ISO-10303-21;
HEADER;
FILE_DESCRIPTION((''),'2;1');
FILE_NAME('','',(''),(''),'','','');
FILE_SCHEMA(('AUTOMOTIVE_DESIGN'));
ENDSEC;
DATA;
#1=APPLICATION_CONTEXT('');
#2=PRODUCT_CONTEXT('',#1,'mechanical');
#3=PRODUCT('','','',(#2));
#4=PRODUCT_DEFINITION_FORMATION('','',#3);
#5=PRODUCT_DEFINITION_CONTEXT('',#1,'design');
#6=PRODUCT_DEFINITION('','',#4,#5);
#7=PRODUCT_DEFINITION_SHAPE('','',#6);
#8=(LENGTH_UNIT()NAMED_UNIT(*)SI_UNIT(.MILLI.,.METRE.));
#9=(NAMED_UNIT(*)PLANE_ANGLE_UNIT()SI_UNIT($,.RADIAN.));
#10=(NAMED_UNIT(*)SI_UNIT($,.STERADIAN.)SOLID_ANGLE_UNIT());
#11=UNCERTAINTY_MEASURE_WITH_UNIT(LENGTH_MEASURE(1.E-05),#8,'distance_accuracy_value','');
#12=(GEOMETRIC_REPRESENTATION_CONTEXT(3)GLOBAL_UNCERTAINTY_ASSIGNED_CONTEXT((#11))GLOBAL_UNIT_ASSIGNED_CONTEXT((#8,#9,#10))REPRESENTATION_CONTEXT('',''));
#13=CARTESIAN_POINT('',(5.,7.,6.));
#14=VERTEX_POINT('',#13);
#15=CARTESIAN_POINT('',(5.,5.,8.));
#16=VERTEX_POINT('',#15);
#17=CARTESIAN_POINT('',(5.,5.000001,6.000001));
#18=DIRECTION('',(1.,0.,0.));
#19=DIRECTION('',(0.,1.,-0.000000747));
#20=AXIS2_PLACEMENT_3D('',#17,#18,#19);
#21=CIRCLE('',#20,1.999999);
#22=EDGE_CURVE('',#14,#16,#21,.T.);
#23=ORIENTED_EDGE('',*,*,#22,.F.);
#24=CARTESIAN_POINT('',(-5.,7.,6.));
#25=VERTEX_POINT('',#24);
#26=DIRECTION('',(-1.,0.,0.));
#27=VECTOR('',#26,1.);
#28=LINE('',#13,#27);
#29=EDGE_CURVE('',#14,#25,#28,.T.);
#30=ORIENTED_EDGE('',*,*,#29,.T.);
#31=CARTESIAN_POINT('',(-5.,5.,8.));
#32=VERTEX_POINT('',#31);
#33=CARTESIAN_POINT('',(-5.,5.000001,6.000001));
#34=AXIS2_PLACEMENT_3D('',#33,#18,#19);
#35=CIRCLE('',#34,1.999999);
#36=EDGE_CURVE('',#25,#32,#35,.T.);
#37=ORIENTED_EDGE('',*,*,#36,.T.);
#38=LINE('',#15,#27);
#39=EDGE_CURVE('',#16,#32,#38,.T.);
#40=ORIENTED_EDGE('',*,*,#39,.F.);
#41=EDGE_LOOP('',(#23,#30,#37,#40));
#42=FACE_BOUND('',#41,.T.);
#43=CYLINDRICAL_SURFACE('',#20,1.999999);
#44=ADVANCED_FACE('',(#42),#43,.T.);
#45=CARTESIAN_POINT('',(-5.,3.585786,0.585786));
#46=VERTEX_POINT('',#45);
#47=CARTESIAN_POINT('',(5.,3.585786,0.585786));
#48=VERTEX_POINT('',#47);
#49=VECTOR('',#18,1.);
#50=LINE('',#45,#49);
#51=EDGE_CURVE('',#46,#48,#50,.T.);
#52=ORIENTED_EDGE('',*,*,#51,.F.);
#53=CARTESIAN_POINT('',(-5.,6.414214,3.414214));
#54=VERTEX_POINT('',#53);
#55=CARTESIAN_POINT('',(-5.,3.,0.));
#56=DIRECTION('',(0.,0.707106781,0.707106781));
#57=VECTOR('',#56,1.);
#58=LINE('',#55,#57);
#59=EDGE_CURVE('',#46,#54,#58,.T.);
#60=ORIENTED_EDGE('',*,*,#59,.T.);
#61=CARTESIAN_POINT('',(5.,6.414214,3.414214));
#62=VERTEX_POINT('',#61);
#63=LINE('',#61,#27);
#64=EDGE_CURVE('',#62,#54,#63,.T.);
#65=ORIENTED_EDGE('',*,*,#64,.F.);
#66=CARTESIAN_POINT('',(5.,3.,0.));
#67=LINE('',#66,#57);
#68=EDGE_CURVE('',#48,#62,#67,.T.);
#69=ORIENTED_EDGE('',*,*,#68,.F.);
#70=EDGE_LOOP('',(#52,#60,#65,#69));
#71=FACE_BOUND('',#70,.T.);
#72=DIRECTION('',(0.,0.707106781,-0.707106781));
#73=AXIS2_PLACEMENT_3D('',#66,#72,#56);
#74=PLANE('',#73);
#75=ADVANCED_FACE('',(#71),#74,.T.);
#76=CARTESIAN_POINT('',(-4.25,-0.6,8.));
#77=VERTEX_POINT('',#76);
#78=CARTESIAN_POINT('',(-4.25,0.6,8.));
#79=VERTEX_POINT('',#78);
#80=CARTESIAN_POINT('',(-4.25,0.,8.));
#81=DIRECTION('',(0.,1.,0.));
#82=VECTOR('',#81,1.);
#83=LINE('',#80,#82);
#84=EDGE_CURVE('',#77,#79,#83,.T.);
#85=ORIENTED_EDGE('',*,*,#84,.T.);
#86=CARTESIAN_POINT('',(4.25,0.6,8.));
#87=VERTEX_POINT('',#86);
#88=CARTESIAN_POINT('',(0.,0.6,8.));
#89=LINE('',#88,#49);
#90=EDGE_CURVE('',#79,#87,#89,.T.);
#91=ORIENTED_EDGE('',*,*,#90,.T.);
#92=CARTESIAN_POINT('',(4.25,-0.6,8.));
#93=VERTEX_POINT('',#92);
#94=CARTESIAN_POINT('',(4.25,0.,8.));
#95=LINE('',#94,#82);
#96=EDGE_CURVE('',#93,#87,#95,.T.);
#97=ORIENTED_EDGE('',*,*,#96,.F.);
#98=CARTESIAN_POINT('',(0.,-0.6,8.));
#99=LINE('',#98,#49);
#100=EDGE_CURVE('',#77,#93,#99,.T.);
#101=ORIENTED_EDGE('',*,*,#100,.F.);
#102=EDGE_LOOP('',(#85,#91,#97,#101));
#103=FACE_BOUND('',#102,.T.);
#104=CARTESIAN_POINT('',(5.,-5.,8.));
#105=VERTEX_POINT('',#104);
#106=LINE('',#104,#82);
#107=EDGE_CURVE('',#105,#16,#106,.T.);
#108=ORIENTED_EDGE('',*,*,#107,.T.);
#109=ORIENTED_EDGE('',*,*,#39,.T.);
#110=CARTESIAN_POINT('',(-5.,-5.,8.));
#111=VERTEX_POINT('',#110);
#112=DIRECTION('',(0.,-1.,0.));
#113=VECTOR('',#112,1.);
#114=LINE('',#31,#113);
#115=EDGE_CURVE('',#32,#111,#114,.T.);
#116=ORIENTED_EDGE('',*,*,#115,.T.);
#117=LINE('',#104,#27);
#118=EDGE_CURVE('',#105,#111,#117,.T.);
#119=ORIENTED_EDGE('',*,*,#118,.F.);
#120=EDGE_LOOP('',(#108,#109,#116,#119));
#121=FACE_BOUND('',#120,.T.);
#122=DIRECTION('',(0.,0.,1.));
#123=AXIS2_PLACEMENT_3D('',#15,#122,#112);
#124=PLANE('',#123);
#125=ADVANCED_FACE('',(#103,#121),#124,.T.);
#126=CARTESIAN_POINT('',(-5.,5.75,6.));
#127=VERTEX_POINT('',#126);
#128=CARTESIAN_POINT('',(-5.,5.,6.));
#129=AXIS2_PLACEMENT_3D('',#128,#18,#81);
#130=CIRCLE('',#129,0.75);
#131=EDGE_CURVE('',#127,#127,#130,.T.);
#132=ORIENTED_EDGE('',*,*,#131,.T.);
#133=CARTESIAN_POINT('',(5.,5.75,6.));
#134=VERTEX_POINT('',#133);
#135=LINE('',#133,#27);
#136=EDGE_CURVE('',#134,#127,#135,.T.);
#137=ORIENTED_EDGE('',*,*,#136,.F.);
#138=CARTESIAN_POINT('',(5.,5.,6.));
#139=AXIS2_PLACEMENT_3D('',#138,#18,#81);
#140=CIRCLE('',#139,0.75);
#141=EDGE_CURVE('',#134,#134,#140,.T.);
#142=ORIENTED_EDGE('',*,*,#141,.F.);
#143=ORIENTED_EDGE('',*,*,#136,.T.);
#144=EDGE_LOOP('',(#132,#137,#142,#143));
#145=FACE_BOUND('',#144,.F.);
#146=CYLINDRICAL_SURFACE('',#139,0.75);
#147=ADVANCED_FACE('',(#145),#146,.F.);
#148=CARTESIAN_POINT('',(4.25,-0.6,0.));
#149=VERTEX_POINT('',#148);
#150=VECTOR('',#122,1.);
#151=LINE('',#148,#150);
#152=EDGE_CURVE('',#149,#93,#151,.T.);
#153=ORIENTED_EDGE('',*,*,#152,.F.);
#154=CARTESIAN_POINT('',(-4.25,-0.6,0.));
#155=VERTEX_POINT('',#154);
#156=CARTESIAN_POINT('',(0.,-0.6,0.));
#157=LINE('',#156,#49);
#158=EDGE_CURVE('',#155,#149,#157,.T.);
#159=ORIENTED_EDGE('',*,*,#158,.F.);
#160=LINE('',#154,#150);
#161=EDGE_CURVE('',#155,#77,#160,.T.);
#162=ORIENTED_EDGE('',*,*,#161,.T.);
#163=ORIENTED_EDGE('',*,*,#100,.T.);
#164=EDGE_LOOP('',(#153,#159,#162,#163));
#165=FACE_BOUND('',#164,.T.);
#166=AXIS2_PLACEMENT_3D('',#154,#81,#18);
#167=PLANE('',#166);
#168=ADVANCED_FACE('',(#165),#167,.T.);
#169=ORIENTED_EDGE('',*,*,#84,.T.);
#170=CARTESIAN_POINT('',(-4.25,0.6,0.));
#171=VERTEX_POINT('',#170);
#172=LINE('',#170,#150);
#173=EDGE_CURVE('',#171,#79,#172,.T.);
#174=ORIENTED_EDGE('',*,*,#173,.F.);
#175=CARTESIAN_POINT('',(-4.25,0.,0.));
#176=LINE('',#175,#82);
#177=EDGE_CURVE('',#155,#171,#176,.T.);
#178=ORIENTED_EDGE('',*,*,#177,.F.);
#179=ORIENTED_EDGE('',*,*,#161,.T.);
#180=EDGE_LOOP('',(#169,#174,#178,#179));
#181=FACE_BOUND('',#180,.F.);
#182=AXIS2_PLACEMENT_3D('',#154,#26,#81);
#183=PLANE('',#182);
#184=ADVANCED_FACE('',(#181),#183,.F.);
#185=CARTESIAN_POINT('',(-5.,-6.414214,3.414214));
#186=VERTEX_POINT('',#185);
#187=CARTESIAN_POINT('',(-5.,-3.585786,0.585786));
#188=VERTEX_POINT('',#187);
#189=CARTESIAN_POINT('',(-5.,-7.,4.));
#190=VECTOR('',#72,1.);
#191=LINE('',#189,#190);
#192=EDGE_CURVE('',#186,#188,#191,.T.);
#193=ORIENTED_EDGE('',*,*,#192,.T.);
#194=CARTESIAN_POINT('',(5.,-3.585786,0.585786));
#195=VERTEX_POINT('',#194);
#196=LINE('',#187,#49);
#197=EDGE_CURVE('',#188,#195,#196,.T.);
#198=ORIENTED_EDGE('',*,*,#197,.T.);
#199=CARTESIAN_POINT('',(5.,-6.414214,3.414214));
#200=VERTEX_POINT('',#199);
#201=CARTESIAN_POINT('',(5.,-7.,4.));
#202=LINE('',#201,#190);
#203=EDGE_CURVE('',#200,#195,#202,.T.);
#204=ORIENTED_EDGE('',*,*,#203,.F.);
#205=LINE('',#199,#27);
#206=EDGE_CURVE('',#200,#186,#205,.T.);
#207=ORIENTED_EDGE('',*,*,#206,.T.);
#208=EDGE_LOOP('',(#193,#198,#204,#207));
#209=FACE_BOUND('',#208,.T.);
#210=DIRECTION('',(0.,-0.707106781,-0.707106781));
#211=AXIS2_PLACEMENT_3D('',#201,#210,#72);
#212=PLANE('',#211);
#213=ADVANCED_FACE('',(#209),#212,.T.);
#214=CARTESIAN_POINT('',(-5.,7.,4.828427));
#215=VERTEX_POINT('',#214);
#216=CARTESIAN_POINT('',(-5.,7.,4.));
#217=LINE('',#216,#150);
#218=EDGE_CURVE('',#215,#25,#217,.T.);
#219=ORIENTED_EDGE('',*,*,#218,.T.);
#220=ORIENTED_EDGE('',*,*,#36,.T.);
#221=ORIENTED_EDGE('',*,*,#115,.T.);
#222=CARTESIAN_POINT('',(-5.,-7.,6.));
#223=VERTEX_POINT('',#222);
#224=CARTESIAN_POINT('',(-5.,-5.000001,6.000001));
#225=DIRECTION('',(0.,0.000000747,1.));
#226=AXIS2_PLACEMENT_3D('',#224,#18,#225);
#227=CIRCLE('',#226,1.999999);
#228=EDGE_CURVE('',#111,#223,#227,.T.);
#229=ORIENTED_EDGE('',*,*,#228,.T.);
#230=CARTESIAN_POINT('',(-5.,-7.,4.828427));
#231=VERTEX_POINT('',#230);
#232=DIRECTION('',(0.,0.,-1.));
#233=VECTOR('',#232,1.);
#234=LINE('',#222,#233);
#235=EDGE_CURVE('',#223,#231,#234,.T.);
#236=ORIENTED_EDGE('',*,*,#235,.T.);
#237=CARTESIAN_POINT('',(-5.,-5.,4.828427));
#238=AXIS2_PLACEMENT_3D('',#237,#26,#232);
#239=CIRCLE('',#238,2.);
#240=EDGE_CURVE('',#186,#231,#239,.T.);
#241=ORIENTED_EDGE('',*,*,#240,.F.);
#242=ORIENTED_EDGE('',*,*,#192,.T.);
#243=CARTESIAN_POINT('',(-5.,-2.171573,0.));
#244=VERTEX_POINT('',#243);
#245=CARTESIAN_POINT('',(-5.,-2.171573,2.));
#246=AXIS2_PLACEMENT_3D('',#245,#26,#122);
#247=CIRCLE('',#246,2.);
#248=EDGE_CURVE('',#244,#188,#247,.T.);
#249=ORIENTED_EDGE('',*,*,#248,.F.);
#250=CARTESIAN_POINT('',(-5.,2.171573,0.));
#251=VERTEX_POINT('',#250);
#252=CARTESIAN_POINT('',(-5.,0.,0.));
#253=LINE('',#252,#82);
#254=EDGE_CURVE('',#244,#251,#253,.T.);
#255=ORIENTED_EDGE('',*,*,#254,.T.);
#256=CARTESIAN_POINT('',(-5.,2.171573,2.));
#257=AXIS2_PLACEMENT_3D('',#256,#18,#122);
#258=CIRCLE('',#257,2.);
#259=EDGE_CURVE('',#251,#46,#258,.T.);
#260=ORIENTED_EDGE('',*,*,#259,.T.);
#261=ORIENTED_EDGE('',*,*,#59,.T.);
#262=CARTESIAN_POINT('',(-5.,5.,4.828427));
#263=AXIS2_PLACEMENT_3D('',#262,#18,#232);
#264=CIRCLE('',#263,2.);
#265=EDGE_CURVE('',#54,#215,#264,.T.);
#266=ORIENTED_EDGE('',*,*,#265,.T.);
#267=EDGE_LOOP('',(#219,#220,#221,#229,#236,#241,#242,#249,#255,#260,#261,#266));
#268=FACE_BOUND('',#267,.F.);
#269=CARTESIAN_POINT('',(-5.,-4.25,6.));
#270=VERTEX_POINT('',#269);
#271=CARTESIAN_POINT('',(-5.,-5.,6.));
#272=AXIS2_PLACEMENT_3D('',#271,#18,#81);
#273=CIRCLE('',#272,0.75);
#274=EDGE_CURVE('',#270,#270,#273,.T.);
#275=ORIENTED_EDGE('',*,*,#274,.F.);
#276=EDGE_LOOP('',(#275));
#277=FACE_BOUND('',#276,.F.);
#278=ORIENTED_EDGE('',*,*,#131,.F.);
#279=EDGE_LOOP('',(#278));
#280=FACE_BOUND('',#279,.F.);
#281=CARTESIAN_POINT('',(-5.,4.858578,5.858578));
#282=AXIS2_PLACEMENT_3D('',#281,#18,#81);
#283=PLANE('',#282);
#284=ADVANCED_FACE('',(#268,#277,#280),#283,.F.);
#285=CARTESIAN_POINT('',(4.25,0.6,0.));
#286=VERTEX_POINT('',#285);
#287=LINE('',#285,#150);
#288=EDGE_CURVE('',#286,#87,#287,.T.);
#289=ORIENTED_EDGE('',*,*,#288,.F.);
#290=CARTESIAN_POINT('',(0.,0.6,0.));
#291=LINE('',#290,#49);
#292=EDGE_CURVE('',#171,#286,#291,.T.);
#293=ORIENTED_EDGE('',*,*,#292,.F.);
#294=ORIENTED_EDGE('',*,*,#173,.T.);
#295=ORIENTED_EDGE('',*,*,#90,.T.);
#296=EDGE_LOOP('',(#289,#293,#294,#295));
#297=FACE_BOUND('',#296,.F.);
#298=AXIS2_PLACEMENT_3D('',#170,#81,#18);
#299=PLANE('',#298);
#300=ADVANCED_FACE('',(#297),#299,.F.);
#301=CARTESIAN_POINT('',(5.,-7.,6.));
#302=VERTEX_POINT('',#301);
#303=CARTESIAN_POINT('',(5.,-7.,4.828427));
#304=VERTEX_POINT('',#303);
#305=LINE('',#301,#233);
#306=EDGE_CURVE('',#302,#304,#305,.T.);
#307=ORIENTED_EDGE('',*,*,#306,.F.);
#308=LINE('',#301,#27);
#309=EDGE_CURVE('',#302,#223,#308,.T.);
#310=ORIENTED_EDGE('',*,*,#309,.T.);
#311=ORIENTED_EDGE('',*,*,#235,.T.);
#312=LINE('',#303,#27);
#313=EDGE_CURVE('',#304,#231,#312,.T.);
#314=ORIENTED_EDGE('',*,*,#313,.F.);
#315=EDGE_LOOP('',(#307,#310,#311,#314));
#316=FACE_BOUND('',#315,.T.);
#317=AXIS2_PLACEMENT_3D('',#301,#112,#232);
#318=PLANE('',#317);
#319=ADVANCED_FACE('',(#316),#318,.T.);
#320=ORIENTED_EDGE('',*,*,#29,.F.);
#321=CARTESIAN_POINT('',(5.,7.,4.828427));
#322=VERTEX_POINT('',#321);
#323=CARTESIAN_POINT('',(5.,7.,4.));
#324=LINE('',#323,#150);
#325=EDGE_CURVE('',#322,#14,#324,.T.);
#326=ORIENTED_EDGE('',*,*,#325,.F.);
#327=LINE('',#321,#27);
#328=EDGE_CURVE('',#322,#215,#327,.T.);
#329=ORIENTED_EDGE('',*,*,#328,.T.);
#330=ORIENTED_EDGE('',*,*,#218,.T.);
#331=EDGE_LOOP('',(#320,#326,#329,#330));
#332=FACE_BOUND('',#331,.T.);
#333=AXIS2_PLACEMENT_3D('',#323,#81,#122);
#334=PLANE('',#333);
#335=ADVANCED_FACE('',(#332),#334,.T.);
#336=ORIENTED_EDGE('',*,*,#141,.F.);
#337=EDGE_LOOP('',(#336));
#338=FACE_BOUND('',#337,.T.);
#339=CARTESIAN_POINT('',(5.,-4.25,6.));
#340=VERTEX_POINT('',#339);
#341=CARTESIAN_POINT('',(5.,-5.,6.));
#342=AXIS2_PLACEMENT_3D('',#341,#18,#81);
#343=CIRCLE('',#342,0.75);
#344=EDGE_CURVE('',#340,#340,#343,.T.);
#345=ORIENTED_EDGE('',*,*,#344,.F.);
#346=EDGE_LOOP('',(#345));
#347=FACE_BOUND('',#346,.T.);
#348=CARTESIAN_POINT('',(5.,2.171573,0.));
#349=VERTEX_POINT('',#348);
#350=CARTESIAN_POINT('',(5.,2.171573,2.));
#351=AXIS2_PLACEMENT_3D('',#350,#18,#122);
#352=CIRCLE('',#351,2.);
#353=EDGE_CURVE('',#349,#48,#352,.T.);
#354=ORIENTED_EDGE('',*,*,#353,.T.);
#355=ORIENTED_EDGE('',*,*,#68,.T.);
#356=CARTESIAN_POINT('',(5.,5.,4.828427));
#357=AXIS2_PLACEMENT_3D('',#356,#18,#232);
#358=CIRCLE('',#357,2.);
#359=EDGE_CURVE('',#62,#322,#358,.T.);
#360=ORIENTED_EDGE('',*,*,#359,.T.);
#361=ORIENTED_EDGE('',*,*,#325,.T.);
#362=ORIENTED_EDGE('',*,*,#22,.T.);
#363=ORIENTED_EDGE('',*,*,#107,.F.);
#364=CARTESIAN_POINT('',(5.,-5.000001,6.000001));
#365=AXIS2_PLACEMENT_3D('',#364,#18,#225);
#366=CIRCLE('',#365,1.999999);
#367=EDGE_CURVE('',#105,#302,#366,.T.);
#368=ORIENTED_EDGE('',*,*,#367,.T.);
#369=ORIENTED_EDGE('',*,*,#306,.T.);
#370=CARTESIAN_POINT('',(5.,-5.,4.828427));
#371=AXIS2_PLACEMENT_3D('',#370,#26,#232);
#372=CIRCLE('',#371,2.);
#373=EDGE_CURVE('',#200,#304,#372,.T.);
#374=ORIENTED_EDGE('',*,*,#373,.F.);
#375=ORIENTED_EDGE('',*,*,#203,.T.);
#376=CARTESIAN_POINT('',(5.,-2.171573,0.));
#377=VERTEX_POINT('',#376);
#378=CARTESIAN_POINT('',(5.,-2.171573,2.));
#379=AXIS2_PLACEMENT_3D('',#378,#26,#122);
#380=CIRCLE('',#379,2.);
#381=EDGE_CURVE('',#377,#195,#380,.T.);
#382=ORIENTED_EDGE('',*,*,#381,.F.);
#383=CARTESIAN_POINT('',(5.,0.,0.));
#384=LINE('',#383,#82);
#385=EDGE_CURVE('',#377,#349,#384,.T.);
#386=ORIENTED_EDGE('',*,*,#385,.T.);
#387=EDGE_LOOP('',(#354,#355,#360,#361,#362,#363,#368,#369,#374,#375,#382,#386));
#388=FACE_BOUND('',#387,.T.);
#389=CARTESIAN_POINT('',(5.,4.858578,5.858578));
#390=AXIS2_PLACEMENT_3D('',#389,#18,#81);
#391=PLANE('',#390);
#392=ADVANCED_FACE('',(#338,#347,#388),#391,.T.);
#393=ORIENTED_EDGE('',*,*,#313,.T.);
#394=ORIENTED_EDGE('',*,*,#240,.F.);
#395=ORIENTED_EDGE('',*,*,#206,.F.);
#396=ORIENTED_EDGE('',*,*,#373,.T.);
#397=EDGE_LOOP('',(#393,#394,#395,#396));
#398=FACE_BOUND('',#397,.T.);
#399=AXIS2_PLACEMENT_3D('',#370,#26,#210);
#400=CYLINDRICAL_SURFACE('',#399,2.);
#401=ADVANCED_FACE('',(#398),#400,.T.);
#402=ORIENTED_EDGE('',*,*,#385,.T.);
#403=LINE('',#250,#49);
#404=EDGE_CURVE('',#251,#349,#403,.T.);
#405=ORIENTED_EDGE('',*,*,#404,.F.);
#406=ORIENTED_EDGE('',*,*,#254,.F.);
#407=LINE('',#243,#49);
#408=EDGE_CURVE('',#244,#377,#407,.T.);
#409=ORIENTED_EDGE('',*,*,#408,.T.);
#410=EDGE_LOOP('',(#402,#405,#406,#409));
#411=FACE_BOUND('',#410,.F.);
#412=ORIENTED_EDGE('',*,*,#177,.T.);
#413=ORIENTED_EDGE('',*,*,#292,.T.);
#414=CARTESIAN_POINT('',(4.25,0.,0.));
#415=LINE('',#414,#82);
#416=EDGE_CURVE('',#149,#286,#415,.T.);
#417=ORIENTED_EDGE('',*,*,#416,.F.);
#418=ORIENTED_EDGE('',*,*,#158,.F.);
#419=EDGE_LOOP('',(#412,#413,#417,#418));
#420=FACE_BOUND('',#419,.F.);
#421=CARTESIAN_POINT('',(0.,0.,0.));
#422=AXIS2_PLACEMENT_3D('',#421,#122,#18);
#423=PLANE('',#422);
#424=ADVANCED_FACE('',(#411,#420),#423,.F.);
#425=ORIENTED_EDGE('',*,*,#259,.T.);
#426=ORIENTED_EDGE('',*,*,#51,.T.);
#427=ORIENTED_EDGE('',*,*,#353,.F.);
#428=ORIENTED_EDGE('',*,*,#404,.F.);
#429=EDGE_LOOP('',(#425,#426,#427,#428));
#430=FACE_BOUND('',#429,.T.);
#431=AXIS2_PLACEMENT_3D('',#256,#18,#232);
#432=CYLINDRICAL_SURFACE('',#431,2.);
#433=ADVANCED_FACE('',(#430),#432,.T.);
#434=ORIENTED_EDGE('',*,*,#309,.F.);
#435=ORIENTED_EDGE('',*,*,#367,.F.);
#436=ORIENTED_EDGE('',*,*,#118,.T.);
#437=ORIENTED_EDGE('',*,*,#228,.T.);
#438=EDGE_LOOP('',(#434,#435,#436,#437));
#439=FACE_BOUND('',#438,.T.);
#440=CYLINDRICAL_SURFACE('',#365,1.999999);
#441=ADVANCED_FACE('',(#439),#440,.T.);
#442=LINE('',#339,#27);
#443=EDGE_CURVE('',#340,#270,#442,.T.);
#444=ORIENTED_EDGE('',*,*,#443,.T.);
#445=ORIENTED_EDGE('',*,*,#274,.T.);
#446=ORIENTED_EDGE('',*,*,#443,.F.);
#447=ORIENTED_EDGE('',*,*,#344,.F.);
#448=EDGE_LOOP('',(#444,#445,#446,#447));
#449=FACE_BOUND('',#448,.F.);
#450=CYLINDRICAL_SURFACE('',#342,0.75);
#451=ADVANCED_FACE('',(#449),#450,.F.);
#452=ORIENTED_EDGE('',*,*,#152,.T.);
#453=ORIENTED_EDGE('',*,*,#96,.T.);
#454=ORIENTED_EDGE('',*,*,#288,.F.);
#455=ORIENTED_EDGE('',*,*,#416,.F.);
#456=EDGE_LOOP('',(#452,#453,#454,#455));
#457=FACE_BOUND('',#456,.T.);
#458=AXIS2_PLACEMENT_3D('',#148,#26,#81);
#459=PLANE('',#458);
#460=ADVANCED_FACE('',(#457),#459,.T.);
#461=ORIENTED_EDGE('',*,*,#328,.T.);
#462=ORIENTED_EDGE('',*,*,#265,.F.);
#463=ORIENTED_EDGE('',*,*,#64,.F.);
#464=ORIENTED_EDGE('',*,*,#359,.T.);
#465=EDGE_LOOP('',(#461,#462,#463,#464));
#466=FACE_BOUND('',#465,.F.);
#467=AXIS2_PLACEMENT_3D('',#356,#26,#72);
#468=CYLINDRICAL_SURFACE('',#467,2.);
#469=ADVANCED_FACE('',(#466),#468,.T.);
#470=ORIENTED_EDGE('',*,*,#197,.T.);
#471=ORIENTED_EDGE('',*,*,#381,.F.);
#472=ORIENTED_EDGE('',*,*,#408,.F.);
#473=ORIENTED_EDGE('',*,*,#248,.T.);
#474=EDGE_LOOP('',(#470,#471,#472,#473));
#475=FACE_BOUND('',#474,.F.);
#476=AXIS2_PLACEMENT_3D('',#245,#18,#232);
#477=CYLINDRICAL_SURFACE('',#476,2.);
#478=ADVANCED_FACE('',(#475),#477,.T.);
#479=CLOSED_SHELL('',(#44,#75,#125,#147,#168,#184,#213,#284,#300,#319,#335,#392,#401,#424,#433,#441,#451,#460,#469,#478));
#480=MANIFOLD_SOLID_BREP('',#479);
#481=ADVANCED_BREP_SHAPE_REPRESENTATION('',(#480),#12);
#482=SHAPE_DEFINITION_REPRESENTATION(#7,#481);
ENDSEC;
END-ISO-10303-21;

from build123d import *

# Parameters (mm, degrees)
F0_W     = 10
F0_H     = 6
F0_W_2   = 8.5
F0_H_2   = 1.2
F1_DEPTH = 8
F2_R     = 0.75
F3_DEPTH = 10
F5_R     = 2


with BuildPart() as f1:
    # F0 (on Top) → F1 (new body)
    with BuildSketch(Plane.XY):
        Rectangle(F0_W, F0_H)
        Rectangle(F0_W_2, F0_H_2, mode=Mode.SUBTRACT)
    extrude(amount=F1_DEPTH)


with BuildPart() as f3:
    # F2 (on face) → F3 (new body)
    with BuildSketch(Plane.YZ.offset(5)):
        with BuildLine():
            Line((-3, 4), (-3, 8))
            Line((-3, 8), (-5, 8))
            ThreePointArc((-5, 8), (-6.414214, 7.414214), (-7, 6))
            Line((-7, 6), (-7, 4))
            Line((-7, 4), (-3, 4))
        make_face()
        with Locations((-5, 6)):
            Circle(F2_R, mode=Mode.SUBTRACT)
        Polygon((-3, 0), (-3, 4), (-7, 4), align=None)
        with BuildLine():
            Line((5, 8), (3, 8))
            Line((3, 8), (3, 4))
            Line((3, 4), (7, 4))
            Line((7, 4), (7, 6))
            ThreePointArc((7, 6), (6.414214, 7.414214), (5, 8))
        make_face()
        with Locations((5, 6)):
            Circle(F2_R, mode=Mode.SUBTRACT)
        Polygon((7, 4), (3, 4), (3, 0), align=None)
    extrude(amount=-F3_DEPTH)


with BuildPart() as f1_1:
    add(f1.part)

    # F4: union F3
    add(f3.part)

    # F5
    f5_edges = [f1_1.edges().sort_by_distance(p)[0] for p in [
        (0, 3, 0),
        (0, 7, 4),
        (0, -3, 0),
        (0, -7, 4),
    ]]
    fillet(f5_edges, radius=F5_R)


solid = f1_1.part
